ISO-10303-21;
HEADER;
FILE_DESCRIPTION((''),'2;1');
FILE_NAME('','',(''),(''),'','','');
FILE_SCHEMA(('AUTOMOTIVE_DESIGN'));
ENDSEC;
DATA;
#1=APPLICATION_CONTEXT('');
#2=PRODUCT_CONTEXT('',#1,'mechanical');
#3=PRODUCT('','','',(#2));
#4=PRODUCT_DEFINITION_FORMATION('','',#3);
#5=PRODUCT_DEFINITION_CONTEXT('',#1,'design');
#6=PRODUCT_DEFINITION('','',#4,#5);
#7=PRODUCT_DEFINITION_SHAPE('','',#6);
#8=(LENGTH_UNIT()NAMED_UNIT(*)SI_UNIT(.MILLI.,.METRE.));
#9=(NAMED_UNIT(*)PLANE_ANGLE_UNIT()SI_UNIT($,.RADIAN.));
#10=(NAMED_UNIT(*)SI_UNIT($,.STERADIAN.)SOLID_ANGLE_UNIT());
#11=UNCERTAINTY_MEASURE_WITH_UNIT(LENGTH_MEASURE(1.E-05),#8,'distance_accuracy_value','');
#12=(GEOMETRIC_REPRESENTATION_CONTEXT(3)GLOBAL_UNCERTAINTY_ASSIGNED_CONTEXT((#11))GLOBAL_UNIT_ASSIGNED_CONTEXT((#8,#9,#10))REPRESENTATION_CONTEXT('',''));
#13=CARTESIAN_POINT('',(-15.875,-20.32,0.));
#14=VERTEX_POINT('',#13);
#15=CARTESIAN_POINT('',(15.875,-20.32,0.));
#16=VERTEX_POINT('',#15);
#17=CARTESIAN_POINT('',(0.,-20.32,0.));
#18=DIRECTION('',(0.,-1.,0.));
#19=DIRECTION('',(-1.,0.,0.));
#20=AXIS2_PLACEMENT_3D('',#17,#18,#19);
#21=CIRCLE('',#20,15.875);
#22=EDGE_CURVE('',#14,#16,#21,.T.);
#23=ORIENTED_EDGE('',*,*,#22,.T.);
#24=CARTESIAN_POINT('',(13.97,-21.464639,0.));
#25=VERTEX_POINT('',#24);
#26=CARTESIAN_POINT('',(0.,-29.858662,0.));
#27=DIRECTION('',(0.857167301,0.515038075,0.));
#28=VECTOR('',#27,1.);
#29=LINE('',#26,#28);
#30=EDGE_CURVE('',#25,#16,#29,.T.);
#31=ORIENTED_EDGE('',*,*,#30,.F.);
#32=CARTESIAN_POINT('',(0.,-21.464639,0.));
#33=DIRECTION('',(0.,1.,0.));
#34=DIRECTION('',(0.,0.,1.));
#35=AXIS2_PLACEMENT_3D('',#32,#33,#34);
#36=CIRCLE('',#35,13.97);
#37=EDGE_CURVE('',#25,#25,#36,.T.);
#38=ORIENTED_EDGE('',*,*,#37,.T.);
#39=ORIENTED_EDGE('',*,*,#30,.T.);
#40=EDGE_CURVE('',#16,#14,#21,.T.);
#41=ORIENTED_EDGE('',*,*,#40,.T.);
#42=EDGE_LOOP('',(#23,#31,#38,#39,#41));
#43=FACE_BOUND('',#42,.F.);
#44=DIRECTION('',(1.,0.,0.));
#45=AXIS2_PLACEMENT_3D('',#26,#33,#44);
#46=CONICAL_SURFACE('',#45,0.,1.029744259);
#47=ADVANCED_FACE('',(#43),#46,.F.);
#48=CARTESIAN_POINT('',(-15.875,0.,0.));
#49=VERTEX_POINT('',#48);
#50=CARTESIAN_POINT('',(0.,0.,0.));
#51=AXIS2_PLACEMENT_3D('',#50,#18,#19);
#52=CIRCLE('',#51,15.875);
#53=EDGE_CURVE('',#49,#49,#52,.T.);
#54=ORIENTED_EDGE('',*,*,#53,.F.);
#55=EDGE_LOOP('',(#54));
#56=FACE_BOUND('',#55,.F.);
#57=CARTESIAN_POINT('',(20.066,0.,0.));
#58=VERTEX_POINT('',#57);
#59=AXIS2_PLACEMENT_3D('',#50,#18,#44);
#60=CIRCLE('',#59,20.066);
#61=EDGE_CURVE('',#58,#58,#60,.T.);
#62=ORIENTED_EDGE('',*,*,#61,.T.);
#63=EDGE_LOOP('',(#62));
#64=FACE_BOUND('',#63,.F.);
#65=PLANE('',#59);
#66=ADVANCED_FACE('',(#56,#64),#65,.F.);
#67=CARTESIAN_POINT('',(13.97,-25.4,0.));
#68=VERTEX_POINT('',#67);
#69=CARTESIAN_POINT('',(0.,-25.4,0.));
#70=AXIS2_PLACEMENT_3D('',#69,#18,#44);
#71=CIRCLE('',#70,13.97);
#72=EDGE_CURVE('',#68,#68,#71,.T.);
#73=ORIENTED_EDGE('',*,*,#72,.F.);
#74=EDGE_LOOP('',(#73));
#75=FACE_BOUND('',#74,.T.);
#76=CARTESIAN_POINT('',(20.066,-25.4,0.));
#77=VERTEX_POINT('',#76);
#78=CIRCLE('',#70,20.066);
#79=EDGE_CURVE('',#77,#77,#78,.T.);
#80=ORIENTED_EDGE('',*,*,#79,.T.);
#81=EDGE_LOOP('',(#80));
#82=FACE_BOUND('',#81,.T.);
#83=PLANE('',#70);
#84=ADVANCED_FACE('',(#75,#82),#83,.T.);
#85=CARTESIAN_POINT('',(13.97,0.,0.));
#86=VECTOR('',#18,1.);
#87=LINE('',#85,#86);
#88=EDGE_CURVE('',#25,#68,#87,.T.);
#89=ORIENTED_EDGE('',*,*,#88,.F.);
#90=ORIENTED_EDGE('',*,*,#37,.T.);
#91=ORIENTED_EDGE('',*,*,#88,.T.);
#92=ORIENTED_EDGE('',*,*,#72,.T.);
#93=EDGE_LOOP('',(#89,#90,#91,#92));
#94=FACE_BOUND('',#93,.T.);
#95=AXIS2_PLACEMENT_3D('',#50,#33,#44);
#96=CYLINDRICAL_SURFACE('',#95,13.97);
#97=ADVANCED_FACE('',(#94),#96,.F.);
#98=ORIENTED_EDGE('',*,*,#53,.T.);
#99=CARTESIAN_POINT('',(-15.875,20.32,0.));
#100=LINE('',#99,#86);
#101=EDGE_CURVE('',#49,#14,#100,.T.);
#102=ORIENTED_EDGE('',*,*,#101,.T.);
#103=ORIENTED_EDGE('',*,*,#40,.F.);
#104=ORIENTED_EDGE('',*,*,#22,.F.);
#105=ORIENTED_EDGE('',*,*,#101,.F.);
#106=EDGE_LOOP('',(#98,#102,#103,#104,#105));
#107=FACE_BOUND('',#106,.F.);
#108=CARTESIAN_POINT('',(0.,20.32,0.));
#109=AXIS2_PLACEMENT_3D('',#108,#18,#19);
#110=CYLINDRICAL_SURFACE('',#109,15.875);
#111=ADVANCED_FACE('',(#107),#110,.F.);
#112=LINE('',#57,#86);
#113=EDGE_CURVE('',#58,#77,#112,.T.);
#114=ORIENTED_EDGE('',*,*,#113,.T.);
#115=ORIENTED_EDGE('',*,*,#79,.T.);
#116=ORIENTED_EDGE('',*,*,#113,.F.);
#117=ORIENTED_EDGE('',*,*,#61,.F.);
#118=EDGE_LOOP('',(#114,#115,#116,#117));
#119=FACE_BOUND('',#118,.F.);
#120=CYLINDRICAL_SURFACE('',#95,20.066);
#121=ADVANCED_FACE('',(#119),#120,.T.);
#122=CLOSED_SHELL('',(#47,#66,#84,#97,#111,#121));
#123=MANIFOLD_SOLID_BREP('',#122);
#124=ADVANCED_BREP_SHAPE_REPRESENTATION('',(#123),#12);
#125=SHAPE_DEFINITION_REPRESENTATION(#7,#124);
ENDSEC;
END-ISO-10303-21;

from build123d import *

# Parameters (mm, degrees)
F0_R     = 20.066
F0_R_2   = 13.97
F1_DEPTH = 25.4
F3_D     = 31.75
F3_DEPTH = 20.32
F3_TIP   = 9.5386623271


with BuildPart() as f1:
    # F0 (on Front) → F1 (new body)
    with BuildSketch(Plane.XZ):
        Circle(F0_R)
        Circle(F0_R_2, mode=Mode.SUBTRACT)
    extrude(amount=F1_DEPTH)

    # F3
    with Locations(Plane(origin=(0, 0, 0), x_dir=(1, 0, 0), z_dir=(0, 1, 0))):
        with Locations((0, 0)):
            Hole(F3_D / 2, depth=F3_DEPTH)
            with Locations((0, 0, -(F3_DEPTH + F3_TIP / 2))):  # 118° drill point
                Cone(0, F3_D / 2, F3_TIP, mode=Mode.SUBTRACT)


solid = f1.part
